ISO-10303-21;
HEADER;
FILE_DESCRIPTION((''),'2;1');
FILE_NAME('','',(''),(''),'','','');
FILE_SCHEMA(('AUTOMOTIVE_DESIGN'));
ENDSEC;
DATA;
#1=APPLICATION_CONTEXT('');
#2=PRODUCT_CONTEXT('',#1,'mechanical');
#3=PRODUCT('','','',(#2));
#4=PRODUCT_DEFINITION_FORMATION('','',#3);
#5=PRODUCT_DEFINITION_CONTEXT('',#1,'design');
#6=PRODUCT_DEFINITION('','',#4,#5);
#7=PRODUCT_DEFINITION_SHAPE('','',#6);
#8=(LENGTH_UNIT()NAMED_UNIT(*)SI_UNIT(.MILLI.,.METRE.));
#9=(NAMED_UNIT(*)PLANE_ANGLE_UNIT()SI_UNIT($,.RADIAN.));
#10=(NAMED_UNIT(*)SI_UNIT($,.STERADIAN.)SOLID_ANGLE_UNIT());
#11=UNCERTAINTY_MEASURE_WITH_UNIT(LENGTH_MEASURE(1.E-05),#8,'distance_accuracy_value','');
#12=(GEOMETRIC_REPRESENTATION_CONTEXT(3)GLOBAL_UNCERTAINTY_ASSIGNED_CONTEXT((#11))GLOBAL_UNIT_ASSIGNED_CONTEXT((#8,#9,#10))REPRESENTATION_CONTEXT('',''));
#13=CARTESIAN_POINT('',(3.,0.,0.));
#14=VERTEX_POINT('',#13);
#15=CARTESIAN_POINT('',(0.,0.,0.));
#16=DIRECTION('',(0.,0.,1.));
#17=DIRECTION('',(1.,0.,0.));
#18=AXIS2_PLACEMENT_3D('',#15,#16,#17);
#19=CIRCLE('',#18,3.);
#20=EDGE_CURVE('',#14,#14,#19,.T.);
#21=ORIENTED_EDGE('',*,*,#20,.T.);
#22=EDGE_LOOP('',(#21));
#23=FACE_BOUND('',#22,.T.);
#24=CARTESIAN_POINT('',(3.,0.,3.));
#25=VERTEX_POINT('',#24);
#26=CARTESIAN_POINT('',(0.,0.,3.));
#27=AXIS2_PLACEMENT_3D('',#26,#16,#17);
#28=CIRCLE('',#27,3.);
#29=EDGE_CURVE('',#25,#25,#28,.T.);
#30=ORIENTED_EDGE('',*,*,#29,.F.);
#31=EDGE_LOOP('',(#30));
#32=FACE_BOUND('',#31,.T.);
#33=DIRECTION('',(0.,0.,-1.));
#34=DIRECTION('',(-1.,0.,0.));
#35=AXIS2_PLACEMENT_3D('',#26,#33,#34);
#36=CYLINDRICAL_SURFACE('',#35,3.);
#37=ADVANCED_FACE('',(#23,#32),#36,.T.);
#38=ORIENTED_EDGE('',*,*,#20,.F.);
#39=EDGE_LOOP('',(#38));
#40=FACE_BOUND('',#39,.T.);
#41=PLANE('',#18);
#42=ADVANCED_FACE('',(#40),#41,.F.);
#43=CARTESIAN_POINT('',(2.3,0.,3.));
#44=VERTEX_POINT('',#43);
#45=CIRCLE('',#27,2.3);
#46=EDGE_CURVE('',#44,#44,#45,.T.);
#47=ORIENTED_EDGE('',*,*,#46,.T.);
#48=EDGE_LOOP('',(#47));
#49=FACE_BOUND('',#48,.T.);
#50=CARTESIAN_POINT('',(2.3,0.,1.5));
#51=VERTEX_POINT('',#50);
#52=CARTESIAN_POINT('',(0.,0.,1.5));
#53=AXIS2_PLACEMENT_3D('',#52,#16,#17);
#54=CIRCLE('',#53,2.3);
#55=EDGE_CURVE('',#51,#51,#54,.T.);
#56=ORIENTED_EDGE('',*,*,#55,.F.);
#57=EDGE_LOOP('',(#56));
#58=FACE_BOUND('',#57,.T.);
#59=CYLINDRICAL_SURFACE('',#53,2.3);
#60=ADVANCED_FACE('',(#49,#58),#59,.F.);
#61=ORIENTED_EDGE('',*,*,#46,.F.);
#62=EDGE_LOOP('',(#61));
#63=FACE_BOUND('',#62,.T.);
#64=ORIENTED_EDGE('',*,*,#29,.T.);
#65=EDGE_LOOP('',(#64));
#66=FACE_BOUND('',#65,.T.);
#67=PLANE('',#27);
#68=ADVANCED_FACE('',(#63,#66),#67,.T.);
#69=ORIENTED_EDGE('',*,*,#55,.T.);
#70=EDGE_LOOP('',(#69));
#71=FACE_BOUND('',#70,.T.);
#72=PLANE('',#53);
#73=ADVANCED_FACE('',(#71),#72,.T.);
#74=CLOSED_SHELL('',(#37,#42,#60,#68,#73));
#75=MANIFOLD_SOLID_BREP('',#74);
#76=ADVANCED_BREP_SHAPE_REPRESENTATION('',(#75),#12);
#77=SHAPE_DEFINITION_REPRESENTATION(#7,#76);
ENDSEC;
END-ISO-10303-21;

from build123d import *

# Parameters (mm, degrees)
SKETCH_1_R          = 3
EXTRUDE_1_DEPTH     = 3
SKETCH_2_R          = 2.3
CUT_EXTRUDE_1_DEPTH = 1.5


with BuildPart() as part:
    # Эскиз1 → Бобышка-Вытянуть1 (new body)
    with BuildSketch(Plane.XY):
        Circle(SKETCH_1_R)
    extrude(amount=EXTRUDE_1_DEPTH)

    # Эскиз2 → Вырез-Вытянуть1 (cut)
    with BuildSketch(Plane.XY.offset(3)):
        Circle(SKETCH_2_R)
    extrude(amount=-CUT_EXTRUDE_1_DEPTH, mode=Mode.SUBTRACT)


solid = part.part
